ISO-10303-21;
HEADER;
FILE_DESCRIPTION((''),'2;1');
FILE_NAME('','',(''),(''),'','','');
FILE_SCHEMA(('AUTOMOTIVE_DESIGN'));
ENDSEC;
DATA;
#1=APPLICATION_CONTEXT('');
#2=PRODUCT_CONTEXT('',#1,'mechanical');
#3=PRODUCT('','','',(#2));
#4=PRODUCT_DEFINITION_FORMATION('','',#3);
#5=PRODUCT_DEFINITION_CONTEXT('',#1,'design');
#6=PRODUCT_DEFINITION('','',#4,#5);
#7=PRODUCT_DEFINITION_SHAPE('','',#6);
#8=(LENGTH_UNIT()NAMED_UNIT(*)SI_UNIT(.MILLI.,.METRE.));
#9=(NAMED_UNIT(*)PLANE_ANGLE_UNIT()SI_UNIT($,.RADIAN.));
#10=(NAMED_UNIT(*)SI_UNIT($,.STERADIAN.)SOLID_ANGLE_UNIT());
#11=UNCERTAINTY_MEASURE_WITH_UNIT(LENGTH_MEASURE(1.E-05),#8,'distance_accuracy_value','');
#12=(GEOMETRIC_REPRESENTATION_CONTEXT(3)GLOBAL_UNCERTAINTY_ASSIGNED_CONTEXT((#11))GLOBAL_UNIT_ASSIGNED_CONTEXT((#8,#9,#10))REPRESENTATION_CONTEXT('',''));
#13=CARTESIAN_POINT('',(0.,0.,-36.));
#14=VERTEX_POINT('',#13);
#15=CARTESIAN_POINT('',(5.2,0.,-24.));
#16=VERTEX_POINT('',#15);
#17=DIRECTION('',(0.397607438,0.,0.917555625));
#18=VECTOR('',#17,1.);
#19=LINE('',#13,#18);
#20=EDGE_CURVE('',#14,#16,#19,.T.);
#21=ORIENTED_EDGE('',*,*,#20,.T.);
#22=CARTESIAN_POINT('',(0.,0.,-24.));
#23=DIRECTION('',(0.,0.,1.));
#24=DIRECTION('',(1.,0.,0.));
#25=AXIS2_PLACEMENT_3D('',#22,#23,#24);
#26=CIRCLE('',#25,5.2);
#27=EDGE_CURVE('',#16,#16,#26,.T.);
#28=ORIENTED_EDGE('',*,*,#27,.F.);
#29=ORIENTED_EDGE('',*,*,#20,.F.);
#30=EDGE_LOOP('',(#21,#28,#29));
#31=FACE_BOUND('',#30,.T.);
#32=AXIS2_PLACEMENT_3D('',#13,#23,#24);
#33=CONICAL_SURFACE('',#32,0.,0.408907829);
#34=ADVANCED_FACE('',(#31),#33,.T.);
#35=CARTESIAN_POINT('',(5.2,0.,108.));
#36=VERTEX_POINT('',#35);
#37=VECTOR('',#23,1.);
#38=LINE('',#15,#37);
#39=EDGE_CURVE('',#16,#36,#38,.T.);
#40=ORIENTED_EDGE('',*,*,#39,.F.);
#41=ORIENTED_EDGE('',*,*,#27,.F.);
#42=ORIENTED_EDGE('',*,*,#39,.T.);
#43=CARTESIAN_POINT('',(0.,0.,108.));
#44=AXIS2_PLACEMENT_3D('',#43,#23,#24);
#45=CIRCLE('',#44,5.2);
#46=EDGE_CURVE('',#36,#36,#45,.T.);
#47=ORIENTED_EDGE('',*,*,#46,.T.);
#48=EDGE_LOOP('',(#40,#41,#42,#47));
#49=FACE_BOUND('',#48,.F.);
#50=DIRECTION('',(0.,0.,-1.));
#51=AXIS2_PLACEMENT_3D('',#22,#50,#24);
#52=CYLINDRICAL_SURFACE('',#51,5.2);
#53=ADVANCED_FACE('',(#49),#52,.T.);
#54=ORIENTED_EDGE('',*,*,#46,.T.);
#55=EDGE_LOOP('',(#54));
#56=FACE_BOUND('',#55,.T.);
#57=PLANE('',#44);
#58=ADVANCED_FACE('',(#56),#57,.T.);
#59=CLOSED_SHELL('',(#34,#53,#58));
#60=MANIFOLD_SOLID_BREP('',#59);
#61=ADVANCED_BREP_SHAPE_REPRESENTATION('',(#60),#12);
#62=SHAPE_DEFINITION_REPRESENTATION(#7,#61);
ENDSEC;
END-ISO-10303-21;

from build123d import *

# Parameters (mm, degrees)
CYLINDER_R     = 5.2
CYLINDER_DEPTH = 132


with BuildPart() as cono:
    # Cone → Cone (revolve)
    with BuildSketch(Plane(origin=(0, 0, -12), x_dir=(1, 0, 0), z_dir=(0, -1, 0))):
        Polygon((0, 0), (5.2, 12), (0, 12), align=None)
    revolve(axis=Axis((0, 0, -12), (0, 0, 1)))


with BuildPart() as boligrafo001:
    # Cylinder → Cylinder (new body)
    with BuildSketch(Plane.XY):
        Circle(CYLINDER_R)
    extrude(amount=CYLINDER_DEPTH)

    # Fusion004: union Cono
    add(cono.part)


with BuildPart() as boligrafo001_1:
    # Fusion004 placement: moved
    add(boligrafo001.part.moved(Location((0, 0, -24))))


solid = boligrafo001_1.part
